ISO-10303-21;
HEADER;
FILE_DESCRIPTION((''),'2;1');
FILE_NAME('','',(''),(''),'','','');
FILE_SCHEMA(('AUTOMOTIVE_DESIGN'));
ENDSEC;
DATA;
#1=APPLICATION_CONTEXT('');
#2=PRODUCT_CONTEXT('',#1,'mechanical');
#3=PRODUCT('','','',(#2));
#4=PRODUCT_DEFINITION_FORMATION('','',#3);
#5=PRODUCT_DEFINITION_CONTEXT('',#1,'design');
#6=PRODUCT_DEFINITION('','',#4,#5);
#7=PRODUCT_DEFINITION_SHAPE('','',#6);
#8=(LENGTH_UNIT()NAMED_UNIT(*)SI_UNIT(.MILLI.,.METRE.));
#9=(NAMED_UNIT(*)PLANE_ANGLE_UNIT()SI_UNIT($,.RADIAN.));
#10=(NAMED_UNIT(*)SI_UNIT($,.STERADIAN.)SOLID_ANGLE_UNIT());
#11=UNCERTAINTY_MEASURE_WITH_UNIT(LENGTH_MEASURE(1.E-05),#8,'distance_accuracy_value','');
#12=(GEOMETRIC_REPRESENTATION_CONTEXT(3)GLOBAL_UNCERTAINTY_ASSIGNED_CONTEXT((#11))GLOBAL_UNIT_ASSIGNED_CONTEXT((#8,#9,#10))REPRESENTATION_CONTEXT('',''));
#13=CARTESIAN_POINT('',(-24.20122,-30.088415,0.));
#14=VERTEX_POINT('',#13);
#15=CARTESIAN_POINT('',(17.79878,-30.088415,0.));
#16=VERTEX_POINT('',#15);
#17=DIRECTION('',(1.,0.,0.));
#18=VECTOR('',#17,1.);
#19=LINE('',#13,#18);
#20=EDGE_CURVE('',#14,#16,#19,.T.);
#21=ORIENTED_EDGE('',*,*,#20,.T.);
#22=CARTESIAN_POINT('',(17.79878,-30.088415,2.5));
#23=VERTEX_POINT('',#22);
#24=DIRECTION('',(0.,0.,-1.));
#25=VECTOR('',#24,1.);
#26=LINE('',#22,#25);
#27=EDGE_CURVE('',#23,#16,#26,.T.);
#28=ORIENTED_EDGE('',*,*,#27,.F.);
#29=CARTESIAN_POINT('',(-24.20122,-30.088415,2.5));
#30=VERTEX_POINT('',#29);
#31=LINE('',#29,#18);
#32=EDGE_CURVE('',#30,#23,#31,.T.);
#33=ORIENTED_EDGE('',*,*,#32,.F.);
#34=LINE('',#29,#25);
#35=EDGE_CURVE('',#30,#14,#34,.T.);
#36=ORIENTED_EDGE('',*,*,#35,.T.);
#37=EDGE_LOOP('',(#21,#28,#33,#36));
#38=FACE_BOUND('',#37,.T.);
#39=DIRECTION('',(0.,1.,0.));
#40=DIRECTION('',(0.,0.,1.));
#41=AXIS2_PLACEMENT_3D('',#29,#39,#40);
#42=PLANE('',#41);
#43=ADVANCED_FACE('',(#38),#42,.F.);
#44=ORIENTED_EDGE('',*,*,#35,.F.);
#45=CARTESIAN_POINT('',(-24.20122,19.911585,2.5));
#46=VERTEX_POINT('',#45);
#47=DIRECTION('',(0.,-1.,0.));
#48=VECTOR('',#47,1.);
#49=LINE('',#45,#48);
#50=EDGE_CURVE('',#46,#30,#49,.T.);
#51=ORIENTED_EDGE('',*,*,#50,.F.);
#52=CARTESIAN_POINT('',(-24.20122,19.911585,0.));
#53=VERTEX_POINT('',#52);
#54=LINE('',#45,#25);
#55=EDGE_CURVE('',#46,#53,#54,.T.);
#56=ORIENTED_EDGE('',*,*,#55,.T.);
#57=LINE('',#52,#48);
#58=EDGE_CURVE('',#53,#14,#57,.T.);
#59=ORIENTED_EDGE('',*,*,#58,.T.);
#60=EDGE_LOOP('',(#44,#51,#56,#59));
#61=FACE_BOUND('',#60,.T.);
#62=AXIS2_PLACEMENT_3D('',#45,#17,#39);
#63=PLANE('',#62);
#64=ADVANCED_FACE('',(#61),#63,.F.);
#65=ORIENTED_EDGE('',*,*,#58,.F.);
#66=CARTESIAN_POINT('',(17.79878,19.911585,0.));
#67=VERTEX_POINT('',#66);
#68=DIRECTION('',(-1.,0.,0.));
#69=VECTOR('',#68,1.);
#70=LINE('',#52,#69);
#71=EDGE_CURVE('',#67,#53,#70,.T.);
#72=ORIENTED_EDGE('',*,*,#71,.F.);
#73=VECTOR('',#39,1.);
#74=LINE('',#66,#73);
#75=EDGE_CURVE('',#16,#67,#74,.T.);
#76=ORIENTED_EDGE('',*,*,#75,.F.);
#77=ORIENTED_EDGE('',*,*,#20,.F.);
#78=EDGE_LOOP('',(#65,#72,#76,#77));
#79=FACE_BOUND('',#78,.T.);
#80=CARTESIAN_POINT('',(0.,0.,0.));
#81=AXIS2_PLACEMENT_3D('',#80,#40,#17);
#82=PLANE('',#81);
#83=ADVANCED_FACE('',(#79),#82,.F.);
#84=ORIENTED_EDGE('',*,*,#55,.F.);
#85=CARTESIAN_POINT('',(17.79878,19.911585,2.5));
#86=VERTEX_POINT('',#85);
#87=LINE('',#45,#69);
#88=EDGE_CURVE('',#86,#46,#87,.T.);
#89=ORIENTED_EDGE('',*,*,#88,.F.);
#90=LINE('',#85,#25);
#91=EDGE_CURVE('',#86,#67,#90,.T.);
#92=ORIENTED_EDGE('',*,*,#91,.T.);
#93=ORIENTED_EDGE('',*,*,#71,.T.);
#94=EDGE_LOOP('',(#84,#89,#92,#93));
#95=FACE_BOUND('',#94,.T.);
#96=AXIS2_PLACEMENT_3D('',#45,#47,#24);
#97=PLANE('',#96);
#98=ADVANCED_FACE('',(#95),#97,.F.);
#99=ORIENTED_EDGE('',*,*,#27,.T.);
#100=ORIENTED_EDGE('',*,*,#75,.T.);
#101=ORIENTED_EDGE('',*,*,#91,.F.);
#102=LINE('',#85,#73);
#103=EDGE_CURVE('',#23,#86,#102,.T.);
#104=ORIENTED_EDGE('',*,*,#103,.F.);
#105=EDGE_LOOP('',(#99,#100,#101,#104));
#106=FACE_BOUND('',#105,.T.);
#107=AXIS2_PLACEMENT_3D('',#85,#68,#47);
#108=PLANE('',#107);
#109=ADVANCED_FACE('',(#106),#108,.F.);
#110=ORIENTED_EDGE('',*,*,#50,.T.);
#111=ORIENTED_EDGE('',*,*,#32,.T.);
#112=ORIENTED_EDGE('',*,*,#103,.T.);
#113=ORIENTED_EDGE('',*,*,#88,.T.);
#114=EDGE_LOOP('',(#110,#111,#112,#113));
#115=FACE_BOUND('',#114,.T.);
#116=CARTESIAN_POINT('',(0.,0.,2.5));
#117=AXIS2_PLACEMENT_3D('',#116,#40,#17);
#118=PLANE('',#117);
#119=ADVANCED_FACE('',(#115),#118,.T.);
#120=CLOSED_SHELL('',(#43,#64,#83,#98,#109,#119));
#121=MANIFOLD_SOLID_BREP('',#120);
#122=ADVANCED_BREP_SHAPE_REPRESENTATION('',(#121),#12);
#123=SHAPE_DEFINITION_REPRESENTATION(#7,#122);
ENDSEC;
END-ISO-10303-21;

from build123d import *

# Parameters (mm, degrees)
ESBO_O1_W                = 42
ESBO_O1_H                = 50
RESSALTO_EXTRUS_O1_DEPTH = 2.5


with BuildPart() as part:
    # Esboço1 → Ressalto-extrusão1 (new body)
    with BuildSketch(Plane.XY):
        with Locations((-3.201219512, -5.088414634)):
            Rectangle(ESBO_O1_W, ESBO_O1_H)
    extrude(amount=RESSALTO_EXTRUS_O1_DEPTH)


solid = part.part
